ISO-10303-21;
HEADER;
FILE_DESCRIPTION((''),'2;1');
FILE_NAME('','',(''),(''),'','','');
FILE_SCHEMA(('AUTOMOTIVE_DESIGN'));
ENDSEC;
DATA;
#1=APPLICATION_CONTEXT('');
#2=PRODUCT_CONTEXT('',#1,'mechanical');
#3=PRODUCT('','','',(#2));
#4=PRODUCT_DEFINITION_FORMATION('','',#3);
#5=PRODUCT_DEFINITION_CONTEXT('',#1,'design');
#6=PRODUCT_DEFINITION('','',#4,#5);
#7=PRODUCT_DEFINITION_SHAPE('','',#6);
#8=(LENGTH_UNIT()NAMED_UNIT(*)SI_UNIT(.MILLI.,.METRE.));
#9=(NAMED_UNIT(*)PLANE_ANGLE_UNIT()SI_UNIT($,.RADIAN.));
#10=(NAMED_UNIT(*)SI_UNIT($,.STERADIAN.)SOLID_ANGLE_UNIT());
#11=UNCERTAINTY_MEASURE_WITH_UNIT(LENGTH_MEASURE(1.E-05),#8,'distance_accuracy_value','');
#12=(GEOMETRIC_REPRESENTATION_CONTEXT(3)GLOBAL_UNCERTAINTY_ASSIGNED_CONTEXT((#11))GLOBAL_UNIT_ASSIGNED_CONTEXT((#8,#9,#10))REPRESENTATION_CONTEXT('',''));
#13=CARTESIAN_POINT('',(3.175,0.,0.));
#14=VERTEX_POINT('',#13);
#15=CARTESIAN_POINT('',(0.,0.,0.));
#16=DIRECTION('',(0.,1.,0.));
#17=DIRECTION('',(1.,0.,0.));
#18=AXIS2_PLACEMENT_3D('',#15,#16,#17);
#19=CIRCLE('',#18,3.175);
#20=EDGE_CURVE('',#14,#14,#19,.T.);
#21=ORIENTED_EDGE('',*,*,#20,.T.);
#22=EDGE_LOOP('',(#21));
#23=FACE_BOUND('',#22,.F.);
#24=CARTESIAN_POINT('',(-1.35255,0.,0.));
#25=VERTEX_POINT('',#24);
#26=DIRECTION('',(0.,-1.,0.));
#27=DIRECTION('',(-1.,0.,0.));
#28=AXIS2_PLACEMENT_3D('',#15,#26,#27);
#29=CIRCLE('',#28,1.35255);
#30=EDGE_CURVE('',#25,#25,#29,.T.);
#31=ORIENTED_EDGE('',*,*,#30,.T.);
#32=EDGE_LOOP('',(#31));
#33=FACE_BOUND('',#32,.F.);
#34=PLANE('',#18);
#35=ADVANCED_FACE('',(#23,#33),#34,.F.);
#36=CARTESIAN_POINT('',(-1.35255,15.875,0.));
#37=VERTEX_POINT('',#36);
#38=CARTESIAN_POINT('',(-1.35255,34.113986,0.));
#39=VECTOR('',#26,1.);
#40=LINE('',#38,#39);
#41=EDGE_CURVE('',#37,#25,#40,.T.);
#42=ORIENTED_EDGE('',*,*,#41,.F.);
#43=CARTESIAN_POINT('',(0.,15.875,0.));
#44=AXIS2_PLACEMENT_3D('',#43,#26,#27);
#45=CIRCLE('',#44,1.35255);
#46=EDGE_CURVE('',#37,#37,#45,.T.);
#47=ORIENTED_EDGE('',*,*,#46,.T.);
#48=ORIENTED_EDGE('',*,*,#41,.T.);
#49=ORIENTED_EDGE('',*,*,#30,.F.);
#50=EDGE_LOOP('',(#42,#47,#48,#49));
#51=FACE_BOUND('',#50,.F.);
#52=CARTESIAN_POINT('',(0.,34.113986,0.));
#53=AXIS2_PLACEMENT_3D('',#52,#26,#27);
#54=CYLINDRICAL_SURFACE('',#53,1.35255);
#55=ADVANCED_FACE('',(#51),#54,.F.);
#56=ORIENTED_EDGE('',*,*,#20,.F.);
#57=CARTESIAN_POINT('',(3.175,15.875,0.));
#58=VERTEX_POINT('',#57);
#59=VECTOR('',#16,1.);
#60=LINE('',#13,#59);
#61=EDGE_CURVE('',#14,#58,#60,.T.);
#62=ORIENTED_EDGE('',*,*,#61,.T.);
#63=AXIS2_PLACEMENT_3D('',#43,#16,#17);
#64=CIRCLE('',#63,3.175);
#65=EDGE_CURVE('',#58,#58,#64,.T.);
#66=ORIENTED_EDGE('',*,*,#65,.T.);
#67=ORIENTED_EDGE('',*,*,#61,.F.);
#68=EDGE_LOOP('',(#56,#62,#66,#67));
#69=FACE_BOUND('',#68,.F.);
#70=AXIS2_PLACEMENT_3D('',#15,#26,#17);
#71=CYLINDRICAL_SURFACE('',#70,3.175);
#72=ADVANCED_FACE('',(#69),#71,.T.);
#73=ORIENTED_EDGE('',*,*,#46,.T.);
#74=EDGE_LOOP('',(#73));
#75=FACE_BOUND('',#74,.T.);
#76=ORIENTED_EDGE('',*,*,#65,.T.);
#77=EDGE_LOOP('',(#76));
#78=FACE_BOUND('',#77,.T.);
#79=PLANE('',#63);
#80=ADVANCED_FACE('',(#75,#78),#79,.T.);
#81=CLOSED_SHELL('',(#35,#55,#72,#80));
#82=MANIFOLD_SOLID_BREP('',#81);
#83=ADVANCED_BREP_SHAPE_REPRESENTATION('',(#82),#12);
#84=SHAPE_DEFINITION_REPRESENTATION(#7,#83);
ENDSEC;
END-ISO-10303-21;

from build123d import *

# Parameters (mm, degrees)
SKETCH1_R                 = 3.175
BOSS_EXTRUDE1_DEPTH       = 15.875
TAP_DRILL_FOR_6_32_TAP1_D = 2.7051


with BuildPart() as part:
    # Sketch1 → Boss-Extrude1 (new body)
    with BuildSketch(Plane(origin=(0, 0, 0), x_dir=(1, 0, 0), z_dir=(0, 1, 0))):
        Circle(SKETCH1_R)
    extrude(amount=BOSS_EXTRUDE1_DEPTH)

    # Tap Drill for #6-32 Tap1 (through all)
    with Locations(Plane(origin=(0, 15.875, 0), x_dir=(1, 0, 0), z_dir=(0, 1, 0))):
        with Locations((0, 0)):
            Hole(TAP_DRILL_FOR_6_32_TAP1_D / 2)


solid = part.part
